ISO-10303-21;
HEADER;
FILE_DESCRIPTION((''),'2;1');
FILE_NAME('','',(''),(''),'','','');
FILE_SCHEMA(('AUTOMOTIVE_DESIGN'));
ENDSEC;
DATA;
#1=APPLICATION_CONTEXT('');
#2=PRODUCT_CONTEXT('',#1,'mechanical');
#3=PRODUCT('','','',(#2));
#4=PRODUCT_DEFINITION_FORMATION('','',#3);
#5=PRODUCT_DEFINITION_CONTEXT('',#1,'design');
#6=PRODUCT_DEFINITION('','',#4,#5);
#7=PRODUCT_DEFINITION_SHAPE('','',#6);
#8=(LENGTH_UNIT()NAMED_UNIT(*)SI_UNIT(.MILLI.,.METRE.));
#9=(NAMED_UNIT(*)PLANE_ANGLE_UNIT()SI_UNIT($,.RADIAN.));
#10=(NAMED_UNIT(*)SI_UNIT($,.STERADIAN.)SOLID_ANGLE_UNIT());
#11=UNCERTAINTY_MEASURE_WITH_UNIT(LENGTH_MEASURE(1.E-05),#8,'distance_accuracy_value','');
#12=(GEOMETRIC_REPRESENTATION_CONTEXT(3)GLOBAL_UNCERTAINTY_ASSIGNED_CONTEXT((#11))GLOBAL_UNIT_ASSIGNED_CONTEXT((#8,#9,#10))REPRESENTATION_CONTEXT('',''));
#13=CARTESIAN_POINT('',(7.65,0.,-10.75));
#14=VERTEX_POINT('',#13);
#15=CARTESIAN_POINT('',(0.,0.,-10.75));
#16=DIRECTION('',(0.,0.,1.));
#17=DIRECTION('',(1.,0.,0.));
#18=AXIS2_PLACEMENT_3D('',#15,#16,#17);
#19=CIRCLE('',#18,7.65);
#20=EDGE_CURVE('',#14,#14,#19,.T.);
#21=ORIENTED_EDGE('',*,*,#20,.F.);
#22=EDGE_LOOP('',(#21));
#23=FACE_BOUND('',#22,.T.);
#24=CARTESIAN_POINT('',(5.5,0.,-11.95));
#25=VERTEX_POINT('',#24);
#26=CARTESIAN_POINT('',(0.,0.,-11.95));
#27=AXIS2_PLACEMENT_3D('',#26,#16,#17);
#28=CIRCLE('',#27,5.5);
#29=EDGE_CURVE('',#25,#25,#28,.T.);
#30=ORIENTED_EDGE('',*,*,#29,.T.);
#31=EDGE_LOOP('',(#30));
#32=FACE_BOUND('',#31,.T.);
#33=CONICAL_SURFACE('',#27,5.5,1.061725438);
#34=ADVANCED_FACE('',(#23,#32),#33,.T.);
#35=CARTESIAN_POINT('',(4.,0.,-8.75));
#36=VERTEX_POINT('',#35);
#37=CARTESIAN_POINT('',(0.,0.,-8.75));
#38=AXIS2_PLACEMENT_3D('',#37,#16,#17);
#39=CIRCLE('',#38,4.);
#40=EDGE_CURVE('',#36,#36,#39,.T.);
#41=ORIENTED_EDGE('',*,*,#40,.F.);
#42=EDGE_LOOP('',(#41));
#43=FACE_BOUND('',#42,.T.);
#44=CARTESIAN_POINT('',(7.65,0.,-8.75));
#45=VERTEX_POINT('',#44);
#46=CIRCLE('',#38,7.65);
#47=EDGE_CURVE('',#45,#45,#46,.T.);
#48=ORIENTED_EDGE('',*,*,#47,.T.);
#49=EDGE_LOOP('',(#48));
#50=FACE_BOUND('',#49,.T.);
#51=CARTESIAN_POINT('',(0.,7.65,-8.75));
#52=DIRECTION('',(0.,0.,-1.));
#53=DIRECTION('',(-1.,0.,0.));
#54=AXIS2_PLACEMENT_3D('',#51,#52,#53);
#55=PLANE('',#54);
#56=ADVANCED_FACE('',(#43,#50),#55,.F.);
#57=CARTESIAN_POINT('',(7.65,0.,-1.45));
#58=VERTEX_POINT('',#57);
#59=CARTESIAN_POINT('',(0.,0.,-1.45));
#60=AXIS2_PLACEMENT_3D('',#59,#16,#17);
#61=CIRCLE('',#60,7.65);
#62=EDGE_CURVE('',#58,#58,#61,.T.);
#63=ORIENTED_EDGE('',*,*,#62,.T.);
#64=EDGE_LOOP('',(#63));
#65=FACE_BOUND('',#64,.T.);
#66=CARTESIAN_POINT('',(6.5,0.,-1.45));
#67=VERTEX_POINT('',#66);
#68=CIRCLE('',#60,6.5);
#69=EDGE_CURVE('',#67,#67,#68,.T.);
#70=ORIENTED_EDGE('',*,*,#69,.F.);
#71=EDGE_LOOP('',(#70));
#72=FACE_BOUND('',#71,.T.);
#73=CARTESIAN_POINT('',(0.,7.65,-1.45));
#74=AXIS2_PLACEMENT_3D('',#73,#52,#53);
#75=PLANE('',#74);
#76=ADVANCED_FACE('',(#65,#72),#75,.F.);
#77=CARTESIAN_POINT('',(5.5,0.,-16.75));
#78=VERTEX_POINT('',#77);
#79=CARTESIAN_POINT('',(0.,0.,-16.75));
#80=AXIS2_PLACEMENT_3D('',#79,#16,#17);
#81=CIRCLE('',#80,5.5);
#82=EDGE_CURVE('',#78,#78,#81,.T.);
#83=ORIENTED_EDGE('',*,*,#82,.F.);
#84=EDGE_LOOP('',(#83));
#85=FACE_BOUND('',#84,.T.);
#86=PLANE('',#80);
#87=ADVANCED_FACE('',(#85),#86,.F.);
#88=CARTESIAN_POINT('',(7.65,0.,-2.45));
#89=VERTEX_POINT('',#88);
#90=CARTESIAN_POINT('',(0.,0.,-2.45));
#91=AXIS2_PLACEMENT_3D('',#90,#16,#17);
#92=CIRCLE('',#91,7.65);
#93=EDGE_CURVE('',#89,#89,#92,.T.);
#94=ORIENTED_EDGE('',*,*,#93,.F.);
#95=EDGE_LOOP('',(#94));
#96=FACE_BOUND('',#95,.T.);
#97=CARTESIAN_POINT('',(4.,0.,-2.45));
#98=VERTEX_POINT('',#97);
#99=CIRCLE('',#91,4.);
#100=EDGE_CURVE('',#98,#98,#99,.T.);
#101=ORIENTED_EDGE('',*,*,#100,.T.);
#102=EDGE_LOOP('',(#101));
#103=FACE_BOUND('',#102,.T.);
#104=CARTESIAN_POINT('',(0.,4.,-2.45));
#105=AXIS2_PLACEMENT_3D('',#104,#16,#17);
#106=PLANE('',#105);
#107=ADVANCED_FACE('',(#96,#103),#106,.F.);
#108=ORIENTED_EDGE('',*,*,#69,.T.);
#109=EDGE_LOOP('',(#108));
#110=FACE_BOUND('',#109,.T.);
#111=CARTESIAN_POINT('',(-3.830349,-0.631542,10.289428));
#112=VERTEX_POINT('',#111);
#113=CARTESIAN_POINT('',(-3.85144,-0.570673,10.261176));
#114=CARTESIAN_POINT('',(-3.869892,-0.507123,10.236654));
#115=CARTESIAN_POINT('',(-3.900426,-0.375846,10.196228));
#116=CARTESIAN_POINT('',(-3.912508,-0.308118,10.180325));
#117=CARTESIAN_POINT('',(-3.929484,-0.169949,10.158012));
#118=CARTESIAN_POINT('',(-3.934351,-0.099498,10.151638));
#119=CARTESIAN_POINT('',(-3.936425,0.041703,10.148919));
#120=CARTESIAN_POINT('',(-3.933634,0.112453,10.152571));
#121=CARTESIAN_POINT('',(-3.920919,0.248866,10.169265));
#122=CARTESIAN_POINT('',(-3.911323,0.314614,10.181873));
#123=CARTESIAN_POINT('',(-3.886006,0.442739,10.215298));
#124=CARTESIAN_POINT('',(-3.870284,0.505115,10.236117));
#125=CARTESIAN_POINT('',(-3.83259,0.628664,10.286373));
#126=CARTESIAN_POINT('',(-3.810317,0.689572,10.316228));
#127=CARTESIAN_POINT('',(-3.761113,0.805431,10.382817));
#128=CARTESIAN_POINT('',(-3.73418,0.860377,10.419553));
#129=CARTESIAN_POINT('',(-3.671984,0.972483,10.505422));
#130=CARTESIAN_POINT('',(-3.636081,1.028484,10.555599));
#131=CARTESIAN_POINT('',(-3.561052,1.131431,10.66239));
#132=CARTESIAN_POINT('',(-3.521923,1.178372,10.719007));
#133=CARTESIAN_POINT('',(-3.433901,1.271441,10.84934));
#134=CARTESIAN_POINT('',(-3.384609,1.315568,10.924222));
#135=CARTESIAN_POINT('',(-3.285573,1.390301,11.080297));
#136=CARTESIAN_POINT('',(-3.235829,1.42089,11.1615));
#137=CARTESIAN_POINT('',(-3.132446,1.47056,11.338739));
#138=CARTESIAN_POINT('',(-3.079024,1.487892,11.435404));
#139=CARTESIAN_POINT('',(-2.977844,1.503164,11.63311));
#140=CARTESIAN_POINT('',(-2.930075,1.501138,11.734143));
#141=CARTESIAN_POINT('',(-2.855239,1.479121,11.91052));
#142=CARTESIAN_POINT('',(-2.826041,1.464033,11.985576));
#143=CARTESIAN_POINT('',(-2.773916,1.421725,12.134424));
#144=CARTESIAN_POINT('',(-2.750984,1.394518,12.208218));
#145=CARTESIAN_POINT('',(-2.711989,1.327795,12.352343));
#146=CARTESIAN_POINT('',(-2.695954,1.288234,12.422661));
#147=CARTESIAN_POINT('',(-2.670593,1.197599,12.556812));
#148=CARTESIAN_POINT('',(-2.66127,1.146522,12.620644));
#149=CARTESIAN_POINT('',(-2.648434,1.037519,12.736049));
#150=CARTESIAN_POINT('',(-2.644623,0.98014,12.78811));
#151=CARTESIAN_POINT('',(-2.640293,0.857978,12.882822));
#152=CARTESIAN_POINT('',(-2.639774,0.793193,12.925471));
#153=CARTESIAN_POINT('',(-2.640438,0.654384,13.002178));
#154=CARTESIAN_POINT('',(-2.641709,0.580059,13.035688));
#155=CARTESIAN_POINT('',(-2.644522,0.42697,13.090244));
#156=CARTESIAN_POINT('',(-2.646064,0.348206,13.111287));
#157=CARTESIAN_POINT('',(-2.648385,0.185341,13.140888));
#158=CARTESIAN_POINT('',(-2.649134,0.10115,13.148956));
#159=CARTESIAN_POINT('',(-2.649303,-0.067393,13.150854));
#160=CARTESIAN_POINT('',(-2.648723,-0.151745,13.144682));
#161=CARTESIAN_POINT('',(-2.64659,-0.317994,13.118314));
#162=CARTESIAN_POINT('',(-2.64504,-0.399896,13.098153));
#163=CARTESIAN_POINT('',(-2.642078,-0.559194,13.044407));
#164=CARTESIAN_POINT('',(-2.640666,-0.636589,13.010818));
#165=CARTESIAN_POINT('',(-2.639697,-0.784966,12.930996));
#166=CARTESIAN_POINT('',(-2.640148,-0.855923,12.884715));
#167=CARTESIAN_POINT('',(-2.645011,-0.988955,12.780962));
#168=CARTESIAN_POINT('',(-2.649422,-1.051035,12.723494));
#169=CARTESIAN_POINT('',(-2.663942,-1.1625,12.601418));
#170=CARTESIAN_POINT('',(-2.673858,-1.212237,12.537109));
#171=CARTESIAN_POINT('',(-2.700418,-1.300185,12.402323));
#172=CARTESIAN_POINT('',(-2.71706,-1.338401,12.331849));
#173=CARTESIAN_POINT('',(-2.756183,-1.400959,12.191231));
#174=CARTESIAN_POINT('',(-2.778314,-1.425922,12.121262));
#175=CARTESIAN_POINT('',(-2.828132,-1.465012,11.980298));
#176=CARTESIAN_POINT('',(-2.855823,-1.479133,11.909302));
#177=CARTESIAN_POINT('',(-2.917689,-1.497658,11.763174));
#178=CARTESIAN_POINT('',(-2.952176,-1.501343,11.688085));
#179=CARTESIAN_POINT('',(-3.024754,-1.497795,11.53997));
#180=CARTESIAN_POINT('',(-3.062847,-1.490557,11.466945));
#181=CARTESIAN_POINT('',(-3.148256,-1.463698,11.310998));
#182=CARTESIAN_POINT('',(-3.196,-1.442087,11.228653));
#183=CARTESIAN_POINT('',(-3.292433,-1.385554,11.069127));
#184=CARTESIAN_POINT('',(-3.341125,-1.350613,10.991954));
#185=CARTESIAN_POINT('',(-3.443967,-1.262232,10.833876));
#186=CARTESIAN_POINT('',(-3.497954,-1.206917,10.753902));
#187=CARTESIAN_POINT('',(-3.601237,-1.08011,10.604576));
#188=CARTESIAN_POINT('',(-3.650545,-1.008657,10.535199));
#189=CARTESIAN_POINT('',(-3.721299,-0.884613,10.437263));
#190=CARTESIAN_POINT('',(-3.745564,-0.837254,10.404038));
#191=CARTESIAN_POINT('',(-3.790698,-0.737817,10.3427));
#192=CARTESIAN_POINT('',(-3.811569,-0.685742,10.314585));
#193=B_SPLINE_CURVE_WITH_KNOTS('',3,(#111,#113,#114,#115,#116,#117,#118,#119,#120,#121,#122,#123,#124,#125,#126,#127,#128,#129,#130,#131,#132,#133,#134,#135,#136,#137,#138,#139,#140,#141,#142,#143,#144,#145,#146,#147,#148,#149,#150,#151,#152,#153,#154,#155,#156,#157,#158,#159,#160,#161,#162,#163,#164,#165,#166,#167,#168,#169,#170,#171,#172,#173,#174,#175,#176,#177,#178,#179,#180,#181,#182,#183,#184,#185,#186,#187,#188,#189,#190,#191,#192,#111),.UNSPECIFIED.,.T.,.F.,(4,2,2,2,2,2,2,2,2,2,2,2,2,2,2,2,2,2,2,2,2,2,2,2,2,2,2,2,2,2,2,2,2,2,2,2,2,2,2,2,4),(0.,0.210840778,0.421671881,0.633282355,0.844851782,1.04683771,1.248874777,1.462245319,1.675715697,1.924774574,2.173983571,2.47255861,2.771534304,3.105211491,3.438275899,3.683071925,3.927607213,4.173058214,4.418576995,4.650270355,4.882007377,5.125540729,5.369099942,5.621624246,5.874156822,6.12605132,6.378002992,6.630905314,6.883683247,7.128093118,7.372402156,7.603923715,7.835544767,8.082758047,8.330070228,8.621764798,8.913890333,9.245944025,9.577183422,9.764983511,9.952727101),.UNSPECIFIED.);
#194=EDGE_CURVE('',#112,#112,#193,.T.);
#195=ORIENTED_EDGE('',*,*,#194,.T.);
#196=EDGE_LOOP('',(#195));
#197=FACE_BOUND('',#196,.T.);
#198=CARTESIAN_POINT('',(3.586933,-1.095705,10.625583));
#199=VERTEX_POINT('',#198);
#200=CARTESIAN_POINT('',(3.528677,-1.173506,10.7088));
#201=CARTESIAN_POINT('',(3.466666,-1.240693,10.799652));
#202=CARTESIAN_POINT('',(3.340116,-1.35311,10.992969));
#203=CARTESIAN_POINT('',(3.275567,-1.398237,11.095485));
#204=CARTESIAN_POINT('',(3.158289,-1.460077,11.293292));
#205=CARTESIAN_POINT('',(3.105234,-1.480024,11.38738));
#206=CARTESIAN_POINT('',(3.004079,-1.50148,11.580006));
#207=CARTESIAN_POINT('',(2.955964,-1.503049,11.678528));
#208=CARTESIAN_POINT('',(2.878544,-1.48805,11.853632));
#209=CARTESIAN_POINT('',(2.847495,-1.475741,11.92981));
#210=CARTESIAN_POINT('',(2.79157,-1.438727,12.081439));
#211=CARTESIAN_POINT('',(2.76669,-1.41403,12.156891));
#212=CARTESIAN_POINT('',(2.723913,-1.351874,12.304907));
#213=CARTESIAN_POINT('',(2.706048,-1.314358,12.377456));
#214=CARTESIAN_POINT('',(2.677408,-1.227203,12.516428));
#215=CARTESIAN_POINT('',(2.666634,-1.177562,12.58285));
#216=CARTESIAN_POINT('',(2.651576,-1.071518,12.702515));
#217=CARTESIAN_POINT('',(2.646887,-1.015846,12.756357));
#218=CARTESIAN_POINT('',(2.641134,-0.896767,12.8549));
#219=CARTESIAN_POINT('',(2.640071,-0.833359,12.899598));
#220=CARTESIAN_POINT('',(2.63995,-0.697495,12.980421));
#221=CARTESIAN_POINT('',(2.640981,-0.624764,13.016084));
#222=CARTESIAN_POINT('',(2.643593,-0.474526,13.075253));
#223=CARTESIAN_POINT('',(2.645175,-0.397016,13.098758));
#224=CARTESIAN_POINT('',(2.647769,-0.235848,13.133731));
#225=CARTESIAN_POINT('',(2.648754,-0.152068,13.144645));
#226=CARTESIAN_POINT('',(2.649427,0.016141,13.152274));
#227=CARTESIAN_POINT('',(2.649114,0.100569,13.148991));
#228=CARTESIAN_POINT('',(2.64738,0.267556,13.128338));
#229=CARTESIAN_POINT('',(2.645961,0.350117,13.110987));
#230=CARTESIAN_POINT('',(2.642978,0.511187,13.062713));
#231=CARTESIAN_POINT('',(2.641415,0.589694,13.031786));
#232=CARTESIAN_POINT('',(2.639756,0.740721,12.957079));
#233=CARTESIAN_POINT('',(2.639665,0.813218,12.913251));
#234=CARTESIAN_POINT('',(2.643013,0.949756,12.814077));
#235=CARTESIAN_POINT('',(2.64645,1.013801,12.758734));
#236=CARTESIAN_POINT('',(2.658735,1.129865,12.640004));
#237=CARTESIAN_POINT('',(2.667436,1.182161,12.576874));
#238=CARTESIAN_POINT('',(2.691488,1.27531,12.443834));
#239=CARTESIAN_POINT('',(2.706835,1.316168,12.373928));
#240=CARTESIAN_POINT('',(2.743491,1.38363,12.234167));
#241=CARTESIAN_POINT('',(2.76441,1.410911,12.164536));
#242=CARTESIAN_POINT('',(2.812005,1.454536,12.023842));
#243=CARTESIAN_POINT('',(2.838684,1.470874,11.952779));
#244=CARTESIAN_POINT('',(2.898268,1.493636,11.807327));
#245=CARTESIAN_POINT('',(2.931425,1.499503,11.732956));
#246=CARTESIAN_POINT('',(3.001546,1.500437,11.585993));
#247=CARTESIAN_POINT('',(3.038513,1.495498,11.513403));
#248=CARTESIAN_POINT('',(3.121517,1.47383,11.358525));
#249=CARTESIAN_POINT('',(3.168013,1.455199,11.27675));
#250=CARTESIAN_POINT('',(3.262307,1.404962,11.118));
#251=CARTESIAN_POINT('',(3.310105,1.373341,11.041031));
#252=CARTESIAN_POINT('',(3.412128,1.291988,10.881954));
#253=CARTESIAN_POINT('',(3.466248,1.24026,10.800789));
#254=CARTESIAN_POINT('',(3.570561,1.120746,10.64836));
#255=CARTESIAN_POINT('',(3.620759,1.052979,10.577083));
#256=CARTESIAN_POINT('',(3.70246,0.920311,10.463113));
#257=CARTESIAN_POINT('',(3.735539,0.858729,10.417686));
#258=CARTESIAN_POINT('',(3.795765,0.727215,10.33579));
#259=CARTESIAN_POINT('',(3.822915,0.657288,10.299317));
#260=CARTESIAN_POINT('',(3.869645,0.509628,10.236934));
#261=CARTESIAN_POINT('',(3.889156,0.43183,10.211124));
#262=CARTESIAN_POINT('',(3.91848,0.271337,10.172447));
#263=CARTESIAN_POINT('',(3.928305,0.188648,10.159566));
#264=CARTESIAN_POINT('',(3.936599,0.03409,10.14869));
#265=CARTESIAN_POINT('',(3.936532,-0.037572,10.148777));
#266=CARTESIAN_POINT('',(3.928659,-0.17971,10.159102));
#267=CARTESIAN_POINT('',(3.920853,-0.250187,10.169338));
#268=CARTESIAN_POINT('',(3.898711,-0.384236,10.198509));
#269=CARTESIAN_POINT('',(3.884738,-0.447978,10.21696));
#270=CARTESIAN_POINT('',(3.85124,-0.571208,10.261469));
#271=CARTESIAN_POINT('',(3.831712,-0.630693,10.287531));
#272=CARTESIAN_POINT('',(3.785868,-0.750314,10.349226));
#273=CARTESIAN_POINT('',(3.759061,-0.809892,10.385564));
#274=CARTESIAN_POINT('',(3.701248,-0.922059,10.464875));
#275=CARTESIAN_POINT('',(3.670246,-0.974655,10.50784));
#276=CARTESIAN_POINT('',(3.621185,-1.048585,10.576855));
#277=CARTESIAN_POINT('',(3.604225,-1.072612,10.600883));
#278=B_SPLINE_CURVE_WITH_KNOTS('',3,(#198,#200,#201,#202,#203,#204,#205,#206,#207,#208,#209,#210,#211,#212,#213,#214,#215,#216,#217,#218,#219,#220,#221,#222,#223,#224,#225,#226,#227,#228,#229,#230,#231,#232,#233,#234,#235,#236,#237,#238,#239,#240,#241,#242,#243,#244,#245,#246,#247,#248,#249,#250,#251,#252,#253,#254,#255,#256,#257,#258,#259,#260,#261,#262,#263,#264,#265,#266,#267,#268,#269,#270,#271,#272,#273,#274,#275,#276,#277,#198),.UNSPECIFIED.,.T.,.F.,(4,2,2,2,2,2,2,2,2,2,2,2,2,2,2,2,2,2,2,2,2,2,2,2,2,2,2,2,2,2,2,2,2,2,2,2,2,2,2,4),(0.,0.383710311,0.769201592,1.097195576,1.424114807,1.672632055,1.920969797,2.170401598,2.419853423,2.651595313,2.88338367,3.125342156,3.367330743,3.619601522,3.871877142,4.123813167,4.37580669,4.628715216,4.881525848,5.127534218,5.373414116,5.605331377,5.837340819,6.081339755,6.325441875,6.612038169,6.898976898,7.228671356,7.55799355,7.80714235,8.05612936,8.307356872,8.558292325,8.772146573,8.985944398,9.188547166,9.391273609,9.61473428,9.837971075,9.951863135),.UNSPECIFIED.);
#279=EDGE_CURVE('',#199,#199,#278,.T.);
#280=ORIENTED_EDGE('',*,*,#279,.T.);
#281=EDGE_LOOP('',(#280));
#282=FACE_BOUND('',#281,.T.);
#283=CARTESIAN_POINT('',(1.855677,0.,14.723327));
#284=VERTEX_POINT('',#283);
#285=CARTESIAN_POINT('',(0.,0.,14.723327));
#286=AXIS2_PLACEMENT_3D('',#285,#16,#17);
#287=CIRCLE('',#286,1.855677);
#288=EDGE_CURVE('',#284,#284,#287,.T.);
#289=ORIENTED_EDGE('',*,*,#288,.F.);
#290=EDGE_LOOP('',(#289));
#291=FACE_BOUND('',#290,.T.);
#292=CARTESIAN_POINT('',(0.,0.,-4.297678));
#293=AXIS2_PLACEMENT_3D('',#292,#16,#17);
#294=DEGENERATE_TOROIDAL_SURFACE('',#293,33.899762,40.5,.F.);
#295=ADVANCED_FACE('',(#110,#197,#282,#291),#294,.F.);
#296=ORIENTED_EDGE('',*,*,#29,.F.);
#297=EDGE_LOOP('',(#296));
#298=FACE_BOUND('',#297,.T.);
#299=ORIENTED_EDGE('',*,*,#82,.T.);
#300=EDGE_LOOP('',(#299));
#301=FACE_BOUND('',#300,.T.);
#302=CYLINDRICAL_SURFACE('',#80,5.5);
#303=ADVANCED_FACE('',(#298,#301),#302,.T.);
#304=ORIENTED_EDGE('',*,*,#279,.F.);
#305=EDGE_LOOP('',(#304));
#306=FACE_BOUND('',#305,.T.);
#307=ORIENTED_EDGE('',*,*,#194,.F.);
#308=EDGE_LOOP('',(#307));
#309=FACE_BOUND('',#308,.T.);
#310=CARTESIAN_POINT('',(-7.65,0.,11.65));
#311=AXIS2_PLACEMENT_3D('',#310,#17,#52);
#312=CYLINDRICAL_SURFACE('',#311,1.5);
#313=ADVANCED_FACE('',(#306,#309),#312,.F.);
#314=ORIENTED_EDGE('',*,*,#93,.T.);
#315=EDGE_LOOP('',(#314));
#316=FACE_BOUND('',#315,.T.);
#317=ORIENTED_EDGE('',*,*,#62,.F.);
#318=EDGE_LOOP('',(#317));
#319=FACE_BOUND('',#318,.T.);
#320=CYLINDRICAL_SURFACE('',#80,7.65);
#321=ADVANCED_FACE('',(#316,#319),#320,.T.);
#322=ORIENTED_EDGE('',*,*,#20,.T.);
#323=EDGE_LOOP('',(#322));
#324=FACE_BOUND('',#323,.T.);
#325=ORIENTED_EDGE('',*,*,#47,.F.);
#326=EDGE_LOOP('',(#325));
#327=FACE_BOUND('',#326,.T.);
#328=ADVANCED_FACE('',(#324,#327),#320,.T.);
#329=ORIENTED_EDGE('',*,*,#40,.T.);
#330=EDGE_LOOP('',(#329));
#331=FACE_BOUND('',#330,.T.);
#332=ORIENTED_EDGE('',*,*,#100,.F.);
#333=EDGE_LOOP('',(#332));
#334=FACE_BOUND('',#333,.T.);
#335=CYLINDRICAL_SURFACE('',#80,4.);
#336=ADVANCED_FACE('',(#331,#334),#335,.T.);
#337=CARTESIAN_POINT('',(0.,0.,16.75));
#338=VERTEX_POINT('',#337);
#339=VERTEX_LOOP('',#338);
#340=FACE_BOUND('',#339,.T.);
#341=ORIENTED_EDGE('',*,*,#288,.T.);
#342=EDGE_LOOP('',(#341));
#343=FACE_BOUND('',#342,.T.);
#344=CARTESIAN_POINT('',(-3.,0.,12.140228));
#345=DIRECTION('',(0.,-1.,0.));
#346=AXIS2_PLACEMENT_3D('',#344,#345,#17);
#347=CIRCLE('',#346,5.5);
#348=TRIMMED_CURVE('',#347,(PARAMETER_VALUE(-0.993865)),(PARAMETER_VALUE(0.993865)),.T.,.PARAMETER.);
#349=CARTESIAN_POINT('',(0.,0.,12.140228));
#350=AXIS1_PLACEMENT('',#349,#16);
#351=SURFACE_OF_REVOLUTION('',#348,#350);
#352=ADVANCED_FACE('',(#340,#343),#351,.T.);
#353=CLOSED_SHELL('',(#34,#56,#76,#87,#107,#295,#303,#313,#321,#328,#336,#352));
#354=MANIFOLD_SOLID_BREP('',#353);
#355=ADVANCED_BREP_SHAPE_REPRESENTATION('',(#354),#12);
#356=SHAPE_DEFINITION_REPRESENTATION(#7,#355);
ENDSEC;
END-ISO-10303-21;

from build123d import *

# Parameters (mm, degrees)
SKETCH_2_R          = 1.5
CUT_EXTRUDE_1_DEPTH = 24.941073563


with BuildPart() as part:
    # Эскиз1 → Повернуть1 (revolve)
    with BuildSketch(Plane(origin=(0, 0, 0), x_dir=(0, 0, -1), z_dir=(1, 0, 0)), mode=Mode.PRIVATE) as revolve_1_sk:
        with BuildLine():
            Line((-16.75, 0), (16.75, 0))
            Line((16.75, 0), (16.75, 5.5))
            Line((16.75, 5.5), (11.95, 5.5))
            Line((11.95, 5.5), (10.75, 7.65))
            Line((10.75, 7.65), (8.75, 7.65))
            Line((8.75, 7.65), (8.75, 4))
            Line((8.75, 4), (2.45, 4))
            Line((2.45, 4), (2.45, 7.65))
            Line((2.45, 7.65), (1.45, 7.65))
            Line((1.45, 7.65), (1.45, 6.5))
            ThreePointArc((1.45, 6.5), (-6.880526727, 5.027063991), (-14.723327208, 1.855676812))
            ThreePointArc((-14.723327208, 1.855676812), (-15.854421467, 1.056447361), (-16.75, 0))
        make_face()
    revolve(revolve_1_sk.sketch.rotate(Axis((0, 0, -16.75), (0, 0, -1)), 90), axis=Axis((0, 0, -16.75), (0, 0, -1)))

    # Эскиз2 → Вырез-Вытянуть1 (cut, through all)
    with BuildSketch(Plane(origin=(7.65, 0, 0), x_dir=(0, 0, -1), z_dir=(1, 0, 0))):
        with Locations((-11.65, 0)):
            Circle(SKETCH_2_R)
    extrude(amount=-CUT_EXTRUDE_1_DEPTH, mode=Mode.SUBTRACT)


solid = part.part
